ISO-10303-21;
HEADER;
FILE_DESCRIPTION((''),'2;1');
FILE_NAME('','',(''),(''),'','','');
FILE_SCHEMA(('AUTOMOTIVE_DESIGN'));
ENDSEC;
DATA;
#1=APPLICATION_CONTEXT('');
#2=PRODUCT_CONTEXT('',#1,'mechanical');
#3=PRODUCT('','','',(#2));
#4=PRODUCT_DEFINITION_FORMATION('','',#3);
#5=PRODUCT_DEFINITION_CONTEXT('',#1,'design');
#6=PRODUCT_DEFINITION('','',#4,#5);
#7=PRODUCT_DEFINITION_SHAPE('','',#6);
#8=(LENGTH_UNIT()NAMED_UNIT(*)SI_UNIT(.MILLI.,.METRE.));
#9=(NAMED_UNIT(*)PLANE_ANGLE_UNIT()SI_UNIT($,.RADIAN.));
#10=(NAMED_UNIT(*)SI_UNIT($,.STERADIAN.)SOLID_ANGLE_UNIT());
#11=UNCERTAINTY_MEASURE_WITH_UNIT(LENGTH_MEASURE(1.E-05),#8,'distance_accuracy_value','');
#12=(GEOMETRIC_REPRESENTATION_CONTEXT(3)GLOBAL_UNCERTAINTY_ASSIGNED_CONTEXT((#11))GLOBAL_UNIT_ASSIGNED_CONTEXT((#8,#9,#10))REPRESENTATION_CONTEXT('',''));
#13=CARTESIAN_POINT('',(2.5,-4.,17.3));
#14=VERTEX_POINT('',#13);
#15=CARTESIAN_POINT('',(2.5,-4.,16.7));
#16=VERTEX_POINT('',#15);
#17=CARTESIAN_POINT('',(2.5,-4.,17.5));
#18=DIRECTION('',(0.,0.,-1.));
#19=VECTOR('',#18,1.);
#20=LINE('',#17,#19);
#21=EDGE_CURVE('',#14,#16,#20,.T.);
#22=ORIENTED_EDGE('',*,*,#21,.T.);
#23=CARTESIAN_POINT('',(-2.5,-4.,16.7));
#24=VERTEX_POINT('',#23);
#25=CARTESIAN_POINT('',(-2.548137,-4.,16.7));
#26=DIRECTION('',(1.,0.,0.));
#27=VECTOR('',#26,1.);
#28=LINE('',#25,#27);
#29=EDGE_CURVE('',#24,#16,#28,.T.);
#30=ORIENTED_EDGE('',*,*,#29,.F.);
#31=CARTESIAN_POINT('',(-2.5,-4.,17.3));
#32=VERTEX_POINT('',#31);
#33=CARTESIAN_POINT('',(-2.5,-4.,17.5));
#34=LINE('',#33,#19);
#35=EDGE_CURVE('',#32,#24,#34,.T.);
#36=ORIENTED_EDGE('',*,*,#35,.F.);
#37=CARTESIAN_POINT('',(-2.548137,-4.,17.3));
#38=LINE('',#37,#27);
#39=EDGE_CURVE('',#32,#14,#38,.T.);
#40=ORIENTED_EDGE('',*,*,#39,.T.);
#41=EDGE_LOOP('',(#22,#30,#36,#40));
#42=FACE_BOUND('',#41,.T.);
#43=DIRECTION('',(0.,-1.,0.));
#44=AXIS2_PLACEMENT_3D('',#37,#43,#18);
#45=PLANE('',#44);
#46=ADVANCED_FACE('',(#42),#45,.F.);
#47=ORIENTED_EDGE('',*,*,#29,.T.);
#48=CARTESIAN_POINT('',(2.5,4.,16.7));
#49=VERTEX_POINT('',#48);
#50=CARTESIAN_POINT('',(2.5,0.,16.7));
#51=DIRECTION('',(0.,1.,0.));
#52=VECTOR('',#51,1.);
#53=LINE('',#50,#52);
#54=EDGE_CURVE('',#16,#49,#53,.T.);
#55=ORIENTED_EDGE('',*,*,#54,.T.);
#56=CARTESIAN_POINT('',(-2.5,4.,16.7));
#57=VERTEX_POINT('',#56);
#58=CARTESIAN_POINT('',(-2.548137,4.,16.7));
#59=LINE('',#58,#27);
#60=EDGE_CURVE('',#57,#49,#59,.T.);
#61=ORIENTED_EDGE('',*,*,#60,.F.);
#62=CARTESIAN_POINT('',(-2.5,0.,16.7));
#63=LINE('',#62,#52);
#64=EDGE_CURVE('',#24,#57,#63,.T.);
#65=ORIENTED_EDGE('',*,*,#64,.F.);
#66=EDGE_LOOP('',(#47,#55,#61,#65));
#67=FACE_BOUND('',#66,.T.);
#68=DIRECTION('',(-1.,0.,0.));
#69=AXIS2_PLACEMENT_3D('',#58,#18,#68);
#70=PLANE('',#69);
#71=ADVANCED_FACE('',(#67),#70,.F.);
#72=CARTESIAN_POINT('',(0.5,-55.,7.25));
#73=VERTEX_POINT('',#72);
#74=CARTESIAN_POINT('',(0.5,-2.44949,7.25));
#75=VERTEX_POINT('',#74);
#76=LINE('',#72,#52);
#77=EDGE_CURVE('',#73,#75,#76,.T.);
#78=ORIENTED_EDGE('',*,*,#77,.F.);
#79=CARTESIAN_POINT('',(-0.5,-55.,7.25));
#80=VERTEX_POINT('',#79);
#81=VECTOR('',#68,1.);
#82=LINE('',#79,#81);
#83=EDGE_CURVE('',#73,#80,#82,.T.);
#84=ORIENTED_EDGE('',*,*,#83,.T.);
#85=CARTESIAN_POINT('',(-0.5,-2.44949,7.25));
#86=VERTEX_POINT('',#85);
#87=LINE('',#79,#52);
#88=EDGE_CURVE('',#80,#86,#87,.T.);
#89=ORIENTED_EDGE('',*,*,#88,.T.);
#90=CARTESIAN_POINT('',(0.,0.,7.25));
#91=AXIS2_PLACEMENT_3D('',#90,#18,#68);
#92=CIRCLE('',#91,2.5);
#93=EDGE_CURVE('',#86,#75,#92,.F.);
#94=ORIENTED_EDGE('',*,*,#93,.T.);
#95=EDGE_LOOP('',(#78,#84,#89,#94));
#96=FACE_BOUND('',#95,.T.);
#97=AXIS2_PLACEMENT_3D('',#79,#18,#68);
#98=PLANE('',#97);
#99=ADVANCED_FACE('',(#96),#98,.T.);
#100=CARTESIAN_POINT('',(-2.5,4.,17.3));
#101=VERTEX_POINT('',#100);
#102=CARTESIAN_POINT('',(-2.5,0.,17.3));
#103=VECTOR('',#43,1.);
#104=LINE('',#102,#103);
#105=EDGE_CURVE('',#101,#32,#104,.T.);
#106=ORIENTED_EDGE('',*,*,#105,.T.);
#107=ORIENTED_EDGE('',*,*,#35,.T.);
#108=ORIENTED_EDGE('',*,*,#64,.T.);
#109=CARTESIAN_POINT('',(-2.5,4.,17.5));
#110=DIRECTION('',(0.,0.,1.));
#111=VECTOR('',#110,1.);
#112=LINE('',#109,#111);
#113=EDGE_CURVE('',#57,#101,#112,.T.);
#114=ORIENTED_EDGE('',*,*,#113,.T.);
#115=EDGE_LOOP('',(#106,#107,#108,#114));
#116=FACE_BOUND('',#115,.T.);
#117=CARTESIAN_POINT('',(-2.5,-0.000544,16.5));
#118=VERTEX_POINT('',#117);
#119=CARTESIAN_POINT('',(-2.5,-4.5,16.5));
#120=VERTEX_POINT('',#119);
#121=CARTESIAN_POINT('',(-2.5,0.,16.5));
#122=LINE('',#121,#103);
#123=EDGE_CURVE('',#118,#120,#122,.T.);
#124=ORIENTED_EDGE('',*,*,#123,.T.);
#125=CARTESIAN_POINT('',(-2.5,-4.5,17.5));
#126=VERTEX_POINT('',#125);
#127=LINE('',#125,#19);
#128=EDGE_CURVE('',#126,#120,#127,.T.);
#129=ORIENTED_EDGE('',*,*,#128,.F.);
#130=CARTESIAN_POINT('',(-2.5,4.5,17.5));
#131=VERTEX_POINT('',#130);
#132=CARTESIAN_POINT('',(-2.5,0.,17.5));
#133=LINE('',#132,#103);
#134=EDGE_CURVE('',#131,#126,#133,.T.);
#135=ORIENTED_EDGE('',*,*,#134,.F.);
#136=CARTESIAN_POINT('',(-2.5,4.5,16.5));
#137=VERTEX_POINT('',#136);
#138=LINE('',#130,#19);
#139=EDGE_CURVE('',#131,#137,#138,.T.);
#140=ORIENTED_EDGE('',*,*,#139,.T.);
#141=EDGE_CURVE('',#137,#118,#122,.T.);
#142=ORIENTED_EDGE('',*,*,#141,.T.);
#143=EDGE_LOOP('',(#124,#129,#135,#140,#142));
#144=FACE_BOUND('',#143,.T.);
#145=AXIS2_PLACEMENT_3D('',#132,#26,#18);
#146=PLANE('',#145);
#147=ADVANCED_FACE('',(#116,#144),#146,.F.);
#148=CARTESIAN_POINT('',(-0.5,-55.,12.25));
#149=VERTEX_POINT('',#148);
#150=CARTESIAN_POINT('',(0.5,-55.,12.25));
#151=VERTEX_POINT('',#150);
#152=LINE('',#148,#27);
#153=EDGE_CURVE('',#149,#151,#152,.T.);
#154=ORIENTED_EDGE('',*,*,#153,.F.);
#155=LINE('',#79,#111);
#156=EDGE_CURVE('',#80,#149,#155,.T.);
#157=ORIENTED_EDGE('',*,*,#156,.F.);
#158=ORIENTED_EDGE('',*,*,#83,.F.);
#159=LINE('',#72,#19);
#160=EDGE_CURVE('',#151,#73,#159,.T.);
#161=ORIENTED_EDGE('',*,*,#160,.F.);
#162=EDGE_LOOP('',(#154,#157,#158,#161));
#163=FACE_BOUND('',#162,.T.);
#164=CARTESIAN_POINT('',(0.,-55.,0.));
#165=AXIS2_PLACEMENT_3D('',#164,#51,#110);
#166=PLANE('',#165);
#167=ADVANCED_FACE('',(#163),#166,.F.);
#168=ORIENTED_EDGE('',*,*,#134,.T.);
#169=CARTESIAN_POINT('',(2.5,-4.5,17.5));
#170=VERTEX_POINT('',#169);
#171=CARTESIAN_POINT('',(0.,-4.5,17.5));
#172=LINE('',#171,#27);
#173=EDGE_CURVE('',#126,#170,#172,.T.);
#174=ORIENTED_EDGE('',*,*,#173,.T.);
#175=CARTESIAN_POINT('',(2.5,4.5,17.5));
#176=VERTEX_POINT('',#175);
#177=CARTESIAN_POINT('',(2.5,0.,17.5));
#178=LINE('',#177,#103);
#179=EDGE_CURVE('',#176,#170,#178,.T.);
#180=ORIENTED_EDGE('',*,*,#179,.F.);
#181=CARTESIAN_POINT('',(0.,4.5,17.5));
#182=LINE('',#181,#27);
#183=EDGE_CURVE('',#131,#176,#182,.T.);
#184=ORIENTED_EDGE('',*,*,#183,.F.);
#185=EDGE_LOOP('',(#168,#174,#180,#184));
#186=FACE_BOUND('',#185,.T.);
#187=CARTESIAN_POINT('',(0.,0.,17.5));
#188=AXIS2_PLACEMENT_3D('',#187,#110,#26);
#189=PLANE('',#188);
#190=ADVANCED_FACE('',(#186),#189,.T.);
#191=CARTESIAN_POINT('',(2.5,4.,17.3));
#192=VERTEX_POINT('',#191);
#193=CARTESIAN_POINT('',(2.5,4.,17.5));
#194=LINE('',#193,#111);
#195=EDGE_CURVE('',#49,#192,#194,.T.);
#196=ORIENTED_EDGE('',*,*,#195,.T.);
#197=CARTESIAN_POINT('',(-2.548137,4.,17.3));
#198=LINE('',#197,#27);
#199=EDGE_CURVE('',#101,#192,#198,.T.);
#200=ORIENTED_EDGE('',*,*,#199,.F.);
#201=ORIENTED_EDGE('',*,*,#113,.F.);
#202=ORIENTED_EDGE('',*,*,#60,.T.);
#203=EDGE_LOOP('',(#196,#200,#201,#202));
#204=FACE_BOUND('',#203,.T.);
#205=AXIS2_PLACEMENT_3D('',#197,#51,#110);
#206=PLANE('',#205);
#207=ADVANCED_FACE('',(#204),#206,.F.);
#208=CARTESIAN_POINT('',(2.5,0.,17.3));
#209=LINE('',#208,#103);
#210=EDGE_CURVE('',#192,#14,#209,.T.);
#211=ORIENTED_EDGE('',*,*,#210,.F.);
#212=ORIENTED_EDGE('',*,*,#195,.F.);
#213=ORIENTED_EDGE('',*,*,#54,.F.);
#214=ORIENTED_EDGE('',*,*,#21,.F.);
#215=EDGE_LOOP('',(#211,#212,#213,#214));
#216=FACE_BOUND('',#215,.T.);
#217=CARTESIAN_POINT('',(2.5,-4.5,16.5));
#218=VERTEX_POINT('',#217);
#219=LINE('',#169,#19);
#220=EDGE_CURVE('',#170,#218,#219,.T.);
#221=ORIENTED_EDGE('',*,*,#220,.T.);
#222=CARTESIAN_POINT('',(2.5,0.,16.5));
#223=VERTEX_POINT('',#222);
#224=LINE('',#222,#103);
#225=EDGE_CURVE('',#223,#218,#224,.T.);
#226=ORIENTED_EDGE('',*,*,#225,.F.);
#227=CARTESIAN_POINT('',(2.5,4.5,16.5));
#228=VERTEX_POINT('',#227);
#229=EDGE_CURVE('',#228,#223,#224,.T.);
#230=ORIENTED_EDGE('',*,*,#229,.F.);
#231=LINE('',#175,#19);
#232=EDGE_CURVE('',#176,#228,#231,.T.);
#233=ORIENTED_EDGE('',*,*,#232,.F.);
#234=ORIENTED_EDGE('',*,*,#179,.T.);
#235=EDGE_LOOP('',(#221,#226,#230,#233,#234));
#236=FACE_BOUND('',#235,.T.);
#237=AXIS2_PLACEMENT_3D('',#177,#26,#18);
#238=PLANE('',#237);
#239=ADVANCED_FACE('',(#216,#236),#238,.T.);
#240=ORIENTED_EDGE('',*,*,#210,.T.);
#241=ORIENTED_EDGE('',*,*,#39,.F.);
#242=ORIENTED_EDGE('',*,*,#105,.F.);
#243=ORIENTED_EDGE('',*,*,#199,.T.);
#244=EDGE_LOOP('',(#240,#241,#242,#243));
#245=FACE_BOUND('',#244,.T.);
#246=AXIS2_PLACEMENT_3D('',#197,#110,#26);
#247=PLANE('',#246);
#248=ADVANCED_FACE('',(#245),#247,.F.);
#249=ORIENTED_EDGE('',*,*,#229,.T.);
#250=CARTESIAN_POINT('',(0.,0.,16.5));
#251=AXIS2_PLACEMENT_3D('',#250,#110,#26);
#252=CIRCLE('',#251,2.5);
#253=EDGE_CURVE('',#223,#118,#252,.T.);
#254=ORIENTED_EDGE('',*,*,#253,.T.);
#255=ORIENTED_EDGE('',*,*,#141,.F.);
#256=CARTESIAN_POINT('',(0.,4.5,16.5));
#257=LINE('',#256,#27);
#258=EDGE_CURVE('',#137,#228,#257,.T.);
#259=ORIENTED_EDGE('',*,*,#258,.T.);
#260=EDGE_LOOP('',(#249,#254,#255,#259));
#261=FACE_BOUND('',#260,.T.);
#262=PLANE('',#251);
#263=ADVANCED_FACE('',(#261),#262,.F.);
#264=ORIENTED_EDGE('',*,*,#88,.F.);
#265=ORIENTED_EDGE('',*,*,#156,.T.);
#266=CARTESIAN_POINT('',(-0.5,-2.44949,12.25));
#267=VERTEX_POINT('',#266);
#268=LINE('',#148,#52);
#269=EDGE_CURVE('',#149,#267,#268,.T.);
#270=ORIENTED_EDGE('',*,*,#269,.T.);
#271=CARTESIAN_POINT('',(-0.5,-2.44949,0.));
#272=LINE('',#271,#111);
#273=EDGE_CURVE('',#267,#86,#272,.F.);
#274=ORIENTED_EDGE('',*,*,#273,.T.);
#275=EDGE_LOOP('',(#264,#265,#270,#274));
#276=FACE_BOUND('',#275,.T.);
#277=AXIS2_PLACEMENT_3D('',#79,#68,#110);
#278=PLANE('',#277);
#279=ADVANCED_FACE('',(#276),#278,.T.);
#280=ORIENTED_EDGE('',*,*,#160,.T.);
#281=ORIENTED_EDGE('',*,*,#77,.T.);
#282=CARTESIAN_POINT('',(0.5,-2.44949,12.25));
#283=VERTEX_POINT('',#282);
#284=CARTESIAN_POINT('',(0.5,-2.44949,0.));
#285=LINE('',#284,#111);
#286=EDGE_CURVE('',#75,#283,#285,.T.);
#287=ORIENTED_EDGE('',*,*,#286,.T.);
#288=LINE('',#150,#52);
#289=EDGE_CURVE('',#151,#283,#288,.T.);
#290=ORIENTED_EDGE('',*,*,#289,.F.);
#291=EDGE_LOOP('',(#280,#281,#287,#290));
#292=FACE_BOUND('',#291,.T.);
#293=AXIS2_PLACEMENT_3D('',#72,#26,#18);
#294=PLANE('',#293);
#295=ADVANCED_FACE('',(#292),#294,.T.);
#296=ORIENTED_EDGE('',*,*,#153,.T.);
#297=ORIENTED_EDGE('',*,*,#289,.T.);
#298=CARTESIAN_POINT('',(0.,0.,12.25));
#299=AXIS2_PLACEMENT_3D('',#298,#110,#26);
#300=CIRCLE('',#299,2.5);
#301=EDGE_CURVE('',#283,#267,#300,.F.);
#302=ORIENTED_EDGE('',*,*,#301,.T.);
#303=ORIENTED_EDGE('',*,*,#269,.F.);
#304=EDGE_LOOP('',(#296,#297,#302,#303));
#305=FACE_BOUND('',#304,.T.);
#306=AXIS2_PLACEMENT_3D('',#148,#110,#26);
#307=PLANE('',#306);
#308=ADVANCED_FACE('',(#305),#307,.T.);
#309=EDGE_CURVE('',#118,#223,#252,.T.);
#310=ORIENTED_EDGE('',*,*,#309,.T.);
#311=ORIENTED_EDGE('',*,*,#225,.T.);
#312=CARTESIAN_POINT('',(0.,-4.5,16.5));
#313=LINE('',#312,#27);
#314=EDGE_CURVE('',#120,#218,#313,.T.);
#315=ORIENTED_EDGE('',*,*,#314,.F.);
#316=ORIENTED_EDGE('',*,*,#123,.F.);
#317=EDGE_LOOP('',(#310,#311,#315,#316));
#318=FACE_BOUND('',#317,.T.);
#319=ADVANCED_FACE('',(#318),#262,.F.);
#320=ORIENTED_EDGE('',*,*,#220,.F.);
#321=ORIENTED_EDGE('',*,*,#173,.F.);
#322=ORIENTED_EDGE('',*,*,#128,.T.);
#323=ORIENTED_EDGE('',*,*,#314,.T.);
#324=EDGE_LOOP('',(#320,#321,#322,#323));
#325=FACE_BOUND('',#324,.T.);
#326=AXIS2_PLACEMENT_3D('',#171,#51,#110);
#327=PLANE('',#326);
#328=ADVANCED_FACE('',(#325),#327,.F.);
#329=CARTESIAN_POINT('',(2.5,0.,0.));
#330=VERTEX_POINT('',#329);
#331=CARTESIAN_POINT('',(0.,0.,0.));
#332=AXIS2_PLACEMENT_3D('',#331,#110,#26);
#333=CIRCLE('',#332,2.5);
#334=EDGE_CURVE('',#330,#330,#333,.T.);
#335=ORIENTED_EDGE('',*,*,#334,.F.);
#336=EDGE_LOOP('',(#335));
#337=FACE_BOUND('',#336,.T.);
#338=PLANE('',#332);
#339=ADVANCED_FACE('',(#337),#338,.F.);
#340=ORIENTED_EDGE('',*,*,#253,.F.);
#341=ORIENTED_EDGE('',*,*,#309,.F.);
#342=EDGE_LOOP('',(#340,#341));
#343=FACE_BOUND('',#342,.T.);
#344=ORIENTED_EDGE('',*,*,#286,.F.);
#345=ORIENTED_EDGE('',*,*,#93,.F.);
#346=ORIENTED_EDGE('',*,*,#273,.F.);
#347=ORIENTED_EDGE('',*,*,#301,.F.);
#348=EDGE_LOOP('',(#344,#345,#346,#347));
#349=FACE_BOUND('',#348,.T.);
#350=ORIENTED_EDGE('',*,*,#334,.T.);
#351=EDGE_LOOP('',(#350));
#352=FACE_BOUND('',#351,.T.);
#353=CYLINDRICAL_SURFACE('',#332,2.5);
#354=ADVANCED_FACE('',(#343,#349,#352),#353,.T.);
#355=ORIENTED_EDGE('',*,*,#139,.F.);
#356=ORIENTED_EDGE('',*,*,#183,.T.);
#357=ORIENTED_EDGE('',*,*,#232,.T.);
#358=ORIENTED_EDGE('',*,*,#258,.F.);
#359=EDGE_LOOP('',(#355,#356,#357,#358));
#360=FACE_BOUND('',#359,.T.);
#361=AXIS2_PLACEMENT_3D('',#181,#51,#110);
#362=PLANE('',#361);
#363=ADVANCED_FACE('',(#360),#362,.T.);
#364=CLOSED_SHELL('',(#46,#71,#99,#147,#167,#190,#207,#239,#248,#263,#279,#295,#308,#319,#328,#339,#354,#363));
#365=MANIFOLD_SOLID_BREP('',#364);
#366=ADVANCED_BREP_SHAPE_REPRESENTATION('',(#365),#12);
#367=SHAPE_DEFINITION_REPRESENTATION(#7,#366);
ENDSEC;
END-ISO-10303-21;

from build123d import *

# Parameters (mm, degrees)
SKETCH2_R               = 2.5
SKETCH3_R               = 2.5
SKETCH4_W               = 1
SKETCH4_H               = 5
BOSS_EXTRUDE1_DEPTH     = 55
SKETCH3_7_W             = 5
SKETCH3_7_H             = 9
BOSS_EXTRUDE4_DEPTH     = 1
CUT_EXTRUDE2_DEPTH      = 58.93315114
CUT_EXTRUDE2_DEPTH_BACK = 58.93315114
SKETCH8_W               = 0.6
SKETCH8_H               = 8


with BuildPart() as part:
    # Sketch2 → Loft1 section 0
    with BuildSketch(Plane.XY):
        Circle(SKETCH2_R)
    # Sketch3 → Loft1 section 1
    with BuildSketch(Plane.XY.offset(16.5)):
        Circle(SKETCH3_R)
    loft()

    # Sketch4 → Boss-Extrude1 (add)
    with BuildSketch(Plane(origin=(0, 0, 0), x_dir=(1, 0, 0), z_dir=(0, 1, 0))):
        with Locations((0, -9.75)):
            Rectangle(SKETCH4_W, SKETCH4_H)
    extrude(amount=-BOSS_EXTRUDE1_DEPTH)

    # Sketch3<7> → Boss-Extrude4 (add)
    with BuildSketch(Plane.XY.offset(16.5)):
        Rectangle(SKETCH3_7_W, SKETCH3_7_H)
    extrude(amount=BOSS_EXTRUDE4_DEPTH)

    # Sketch8 → Cut-Extrude2 (cut, two sides: drawn at the far end of the back side and taken through both)
    with BuildSketch(Plane(origin=(2.5, 0, 0), x_dir=(0, 0, -1), z_dir=(1, 0, 0)).offset(-CUT_EXTRUDE2_DEPTH_BACK)):
        with Locations((-17, 0)):
            Rectangle(SKETCH8_W, SKETCH8_H)
    extrude(amount=CUT_EXTRUDE2_DEPTH + CUT_EXTRUDE2_DEPTH_BACK, mode=Mode.SUBTRACT)


solid = part.part
